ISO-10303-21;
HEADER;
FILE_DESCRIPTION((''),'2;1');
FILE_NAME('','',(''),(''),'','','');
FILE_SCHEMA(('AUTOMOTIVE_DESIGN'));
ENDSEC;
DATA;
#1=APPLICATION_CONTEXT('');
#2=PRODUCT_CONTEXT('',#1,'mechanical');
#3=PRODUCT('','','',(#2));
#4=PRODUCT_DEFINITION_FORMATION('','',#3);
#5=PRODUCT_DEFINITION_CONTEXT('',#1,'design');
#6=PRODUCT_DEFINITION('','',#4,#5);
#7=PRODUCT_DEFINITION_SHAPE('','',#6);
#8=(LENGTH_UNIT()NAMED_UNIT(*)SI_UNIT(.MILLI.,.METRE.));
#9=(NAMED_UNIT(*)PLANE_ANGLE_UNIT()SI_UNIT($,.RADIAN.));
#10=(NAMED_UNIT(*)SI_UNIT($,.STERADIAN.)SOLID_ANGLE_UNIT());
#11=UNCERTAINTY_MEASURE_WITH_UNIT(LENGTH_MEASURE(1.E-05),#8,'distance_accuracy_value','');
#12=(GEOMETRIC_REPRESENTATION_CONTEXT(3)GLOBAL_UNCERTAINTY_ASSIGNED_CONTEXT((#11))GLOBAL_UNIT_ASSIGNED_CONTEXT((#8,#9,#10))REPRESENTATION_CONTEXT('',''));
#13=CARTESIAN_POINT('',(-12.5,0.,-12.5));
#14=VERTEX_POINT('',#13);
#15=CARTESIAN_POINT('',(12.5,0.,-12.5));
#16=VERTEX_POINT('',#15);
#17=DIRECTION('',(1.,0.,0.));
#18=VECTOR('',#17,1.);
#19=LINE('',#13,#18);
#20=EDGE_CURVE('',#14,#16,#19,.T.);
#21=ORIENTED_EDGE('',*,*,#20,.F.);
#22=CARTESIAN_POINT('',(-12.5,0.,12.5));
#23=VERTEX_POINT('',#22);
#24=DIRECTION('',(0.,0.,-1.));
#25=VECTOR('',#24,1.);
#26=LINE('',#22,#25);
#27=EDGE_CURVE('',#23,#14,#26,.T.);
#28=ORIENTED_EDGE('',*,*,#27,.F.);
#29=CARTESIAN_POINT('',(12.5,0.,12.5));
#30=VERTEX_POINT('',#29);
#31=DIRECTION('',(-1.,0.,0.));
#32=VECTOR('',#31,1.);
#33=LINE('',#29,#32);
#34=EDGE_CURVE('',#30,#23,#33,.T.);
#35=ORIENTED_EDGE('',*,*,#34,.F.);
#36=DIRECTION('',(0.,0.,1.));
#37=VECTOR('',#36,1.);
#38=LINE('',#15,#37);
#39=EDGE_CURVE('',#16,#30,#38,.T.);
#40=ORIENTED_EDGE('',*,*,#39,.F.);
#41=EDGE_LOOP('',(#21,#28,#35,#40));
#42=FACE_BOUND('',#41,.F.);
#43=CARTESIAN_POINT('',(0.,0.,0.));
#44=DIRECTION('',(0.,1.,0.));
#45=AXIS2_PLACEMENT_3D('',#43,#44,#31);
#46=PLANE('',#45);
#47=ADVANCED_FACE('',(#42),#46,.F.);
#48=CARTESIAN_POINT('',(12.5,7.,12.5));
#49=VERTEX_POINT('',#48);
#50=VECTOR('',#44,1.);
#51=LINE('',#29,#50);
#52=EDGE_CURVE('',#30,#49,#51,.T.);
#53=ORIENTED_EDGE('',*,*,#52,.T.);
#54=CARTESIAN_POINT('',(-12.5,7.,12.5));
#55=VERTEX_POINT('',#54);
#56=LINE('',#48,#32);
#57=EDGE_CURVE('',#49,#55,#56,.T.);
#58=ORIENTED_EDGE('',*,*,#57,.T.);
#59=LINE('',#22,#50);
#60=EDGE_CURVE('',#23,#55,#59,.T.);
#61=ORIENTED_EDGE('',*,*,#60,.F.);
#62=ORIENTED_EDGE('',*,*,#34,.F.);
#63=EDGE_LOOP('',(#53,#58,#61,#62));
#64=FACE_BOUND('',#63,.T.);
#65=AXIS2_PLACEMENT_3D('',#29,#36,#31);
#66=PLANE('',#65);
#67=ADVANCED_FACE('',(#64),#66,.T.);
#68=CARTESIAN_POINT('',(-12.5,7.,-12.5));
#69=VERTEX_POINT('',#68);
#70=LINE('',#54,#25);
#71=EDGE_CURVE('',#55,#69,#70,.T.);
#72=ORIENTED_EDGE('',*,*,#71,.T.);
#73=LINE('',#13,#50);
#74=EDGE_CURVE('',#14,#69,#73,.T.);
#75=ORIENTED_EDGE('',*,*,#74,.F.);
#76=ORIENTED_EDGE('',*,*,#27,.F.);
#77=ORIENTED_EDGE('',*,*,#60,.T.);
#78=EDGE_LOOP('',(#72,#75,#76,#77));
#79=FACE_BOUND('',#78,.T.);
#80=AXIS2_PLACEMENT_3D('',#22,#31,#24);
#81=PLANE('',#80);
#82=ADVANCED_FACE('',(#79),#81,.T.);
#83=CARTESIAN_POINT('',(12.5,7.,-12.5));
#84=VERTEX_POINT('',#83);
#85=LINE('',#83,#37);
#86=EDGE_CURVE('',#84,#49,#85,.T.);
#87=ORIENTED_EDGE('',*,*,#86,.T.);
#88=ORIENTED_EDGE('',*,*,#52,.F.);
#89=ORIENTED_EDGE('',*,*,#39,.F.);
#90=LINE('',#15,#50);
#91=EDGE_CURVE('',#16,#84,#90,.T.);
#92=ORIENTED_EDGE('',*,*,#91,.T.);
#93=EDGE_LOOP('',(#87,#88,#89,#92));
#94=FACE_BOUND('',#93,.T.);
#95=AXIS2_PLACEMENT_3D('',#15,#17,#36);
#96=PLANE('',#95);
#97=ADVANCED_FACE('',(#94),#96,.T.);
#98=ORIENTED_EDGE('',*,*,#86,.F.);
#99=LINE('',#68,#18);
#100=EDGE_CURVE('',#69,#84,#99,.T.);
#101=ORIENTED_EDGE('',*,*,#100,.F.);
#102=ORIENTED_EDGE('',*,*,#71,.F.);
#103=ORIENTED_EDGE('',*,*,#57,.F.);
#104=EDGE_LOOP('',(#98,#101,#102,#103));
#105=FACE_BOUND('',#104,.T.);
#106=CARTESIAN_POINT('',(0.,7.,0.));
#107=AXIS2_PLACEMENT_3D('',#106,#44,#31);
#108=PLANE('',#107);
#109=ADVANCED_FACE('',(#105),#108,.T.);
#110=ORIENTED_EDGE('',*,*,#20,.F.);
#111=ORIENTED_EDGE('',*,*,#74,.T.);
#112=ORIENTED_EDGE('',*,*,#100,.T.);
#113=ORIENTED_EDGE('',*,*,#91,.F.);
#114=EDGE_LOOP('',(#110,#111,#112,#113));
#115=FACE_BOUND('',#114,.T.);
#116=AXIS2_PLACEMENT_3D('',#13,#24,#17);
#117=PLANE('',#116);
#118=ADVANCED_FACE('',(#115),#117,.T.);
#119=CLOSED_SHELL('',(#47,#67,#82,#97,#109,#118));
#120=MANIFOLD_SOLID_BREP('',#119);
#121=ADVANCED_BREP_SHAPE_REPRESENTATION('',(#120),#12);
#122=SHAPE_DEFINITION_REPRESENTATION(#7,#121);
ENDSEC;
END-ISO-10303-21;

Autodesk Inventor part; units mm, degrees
ref_plane "YZ Plane" through (0, 0, 0) normal (1, 0, 0) x (0, 1, 0)
ref_plane "XZ Plane" through (0, 0, 0) normal (0, 1, 0) x (-1, 0, 0)
ref_plane "XY Plane" through (0, 0, 0) normal (0, 0, 1) x (1, 0, 0)
sketch "スケッチ1" plane through (0, 0, 0) normal (0, 1, 0) x (-1, 0, 0)
  line L0 (12.5, -12.5) -> (-12.5, -12.5)
  line L1 (-12.5, -12.5) -> (-12.5, 12.5)
  line L2 (-12.5, 12.5) -> (12.5, 12.5)
  line L3 (12.5, 12.5) -> (12.5, -12.5)
  line L4 (12.5, -12.5) -> (-12.5, 12.5) construction
  line L5 (-12.5, -12.5) -> (12.5, 12.5) construction
  point P0 (0, 0)
  dimension "d0" = 25
  dimension "d1" = 25
extrude "押し出し1" add sketch "スケッチ1" along normal blind 7
equation "\"d1\" = d0"
properties part number "DCfan_small" material "ABS プラスチック"
